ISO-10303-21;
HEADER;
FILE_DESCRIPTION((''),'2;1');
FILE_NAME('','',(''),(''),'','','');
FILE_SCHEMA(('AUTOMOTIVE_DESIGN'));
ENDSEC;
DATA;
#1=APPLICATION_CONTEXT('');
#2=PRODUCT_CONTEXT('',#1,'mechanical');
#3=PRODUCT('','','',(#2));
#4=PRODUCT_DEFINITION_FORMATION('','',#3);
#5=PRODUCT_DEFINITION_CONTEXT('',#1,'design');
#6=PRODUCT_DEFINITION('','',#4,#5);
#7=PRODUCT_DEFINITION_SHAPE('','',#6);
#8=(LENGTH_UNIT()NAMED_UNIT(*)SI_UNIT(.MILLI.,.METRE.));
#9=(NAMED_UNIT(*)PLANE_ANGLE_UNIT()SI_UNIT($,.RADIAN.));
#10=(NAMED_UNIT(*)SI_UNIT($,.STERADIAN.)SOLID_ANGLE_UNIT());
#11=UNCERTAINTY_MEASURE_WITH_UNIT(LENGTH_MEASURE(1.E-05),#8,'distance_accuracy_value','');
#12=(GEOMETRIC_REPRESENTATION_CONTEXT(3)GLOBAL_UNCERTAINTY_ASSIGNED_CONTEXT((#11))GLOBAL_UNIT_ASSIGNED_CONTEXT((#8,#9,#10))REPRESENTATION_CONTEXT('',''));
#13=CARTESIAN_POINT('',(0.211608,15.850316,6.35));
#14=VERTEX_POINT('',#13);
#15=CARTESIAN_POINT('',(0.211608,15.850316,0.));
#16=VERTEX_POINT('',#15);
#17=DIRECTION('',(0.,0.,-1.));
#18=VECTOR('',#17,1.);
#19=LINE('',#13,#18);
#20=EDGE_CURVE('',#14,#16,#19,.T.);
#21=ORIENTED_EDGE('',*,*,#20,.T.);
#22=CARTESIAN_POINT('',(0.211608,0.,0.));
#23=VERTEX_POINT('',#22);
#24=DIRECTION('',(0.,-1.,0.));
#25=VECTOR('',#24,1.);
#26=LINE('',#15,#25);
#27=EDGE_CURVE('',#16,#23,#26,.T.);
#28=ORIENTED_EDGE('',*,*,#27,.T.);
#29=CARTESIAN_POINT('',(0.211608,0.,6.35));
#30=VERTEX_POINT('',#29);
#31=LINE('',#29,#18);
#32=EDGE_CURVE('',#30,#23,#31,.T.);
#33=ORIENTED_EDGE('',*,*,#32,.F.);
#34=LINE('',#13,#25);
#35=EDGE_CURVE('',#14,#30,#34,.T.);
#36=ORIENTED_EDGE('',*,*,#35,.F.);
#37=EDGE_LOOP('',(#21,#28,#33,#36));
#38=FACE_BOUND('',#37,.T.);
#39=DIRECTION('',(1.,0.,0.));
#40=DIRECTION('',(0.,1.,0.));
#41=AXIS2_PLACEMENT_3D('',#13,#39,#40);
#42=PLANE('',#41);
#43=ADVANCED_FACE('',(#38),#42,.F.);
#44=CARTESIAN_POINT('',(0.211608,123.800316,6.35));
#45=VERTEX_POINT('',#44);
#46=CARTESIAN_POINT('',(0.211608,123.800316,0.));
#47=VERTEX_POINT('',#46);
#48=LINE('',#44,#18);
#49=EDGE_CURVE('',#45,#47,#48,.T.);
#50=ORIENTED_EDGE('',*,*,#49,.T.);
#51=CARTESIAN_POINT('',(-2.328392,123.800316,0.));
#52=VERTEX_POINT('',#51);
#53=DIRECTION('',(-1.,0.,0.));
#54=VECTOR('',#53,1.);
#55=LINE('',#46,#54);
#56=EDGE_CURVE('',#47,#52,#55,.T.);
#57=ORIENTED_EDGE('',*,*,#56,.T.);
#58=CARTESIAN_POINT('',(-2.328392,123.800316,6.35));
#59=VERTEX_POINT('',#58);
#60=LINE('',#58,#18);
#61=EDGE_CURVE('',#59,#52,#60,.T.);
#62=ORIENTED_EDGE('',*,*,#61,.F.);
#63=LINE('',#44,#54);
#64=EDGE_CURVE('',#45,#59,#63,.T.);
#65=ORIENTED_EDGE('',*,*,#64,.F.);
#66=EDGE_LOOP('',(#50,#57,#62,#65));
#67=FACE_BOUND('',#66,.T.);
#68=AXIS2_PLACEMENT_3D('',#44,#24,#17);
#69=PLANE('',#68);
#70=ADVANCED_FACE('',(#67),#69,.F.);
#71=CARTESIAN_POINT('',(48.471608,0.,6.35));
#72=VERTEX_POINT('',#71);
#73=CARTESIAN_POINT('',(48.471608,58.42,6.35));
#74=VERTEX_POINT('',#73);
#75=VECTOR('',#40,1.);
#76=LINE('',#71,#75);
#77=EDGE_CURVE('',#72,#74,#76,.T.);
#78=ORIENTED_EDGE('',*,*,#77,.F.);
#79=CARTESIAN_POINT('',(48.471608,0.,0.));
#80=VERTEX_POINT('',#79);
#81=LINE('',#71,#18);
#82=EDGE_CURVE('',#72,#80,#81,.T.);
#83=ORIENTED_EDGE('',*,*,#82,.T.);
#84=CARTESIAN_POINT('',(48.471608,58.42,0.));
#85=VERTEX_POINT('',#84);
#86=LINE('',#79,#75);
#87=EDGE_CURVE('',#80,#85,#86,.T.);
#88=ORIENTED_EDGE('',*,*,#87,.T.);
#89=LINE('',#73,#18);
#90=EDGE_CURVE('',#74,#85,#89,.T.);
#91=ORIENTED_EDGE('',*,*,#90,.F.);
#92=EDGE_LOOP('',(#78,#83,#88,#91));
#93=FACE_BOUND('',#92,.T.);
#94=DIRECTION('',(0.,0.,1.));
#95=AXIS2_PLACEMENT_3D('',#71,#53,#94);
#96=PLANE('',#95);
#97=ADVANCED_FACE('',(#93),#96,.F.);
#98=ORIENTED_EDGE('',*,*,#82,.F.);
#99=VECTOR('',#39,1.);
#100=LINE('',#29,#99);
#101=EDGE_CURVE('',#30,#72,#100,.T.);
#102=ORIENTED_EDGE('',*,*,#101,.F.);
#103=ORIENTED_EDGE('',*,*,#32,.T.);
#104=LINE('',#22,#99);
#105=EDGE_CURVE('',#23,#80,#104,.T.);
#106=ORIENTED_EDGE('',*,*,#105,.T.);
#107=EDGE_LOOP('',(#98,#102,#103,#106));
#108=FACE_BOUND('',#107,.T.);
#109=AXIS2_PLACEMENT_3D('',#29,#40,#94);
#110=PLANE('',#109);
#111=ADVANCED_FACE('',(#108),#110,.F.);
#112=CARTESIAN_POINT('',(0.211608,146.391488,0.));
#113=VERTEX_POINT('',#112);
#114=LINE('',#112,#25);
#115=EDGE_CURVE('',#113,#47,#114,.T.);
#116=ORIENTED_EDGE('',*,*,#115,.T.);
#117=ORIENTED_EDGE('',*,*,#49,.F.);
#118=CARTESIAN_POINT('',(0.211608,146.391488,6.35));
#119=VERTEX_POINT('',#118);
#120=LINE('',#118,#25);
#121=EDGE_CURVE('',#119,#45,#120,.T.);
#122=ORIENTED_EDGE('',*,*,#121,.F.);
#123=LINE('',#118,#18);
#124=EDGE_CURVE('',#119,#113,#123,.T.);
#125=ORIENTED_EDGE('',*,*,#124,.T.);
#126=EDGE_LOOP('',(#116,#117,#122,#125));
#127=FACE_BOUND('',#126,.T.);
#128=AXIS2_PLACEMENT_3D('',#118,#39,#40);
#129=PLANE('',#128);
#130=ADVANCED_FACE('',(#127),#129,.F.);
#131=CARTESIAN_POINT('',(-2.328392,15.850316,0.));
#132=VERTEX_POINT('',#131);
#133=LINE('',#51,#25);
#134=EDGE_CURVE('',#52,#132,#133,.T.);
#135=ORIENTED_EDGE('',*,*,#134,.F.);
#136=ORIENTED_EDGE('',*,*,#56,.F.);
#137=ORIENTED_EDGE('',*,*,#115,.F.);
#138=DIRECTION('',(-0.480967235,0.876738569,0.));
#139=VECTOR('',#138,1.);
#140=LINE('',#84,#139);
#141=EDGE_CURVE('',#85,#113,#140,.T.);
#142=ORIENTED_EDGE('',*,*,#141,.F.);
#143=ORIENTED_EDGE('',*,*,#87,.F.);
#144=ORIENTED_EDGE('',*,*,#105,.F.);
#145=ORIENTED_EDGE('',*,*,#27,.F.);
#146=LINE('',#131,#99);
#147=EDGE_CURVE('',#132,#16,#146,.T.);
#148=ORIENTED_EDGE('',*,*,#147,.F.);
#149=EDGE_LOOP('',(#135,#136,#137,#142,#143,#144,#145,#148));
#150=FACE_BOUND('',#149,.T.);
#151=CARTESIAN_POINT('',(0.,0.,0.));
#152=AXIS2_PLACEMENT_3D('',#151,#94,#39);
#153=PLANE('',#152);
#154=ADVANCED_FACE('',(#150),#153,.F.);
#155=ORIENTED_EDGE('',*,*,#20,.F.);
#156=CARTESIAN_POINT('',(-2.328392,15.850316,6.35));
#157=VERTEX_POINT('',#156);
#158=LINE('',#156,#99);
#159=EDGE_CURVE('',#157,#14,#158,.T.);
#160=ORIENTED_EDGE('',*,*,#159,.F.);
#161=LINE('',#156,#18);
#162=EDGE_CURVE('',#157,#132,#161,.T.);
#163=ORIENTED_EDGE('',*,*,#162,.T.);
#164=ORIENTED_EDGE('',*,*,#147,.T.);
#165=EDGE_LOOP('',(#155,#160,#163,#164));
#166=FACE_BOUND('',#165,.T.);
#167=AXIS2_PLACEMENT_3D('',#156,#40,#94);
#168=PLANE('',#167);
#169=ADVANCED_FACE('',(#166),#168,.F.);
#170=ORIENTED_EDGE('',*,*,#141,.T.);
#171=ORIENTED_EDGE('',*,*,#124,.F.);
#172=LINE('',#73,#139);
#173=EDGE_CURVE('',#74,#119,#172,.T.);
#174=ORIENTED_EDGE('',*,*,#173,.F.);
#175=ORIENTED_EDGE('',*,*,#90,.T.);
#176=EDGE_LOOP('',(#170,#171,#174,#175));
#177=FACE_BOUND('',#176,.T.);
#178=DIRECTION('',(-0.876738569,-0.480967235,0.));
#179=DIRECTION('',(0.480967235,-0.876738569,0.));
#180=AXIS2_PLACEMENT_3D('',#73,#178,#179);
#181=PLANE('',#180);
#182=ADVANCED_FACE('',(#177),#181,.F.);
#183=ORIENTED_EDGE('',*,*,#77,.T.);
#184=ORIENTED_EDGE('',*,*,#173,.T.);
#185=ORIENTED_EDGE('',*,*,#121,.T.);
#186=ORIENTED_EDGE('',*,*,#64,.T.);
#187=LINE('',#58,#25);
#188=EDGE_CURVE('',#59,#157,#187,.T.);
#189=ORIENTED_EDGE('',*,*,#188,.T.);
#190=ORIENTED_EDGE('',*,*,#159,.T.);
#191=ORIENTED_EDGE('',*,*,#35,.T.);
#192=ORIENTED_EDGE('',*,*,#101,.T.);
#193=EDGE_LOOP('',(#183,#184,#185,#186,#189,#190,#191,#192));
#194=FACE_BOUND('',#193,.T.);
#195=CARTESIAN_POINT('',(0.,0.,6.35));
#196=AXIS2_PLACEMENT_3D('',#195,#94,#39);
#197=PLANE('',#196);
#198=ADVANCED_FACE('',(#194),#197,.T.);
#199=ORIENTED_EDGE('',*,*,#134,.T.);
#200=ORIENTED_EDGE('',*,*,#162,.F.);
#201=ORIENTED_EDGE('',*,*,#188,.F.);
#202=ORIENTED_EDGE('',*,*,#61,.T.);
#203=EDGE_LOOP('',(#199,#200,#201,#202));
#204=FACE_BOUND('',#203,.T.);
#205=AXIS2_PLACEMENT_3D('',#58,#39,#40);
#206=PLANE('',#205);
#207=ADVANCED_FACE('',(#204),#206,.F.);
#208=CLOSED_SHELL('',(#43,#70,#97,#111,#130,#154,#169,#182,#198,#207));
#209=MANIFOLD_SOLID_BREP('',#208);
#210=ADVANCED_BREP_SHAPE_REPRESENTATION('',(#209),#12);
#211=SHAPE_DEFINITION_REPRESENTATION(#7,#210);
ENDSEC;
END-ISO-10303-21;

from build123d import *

# Parameters (mm, degrees)
BOSS_EXTRUDE1_DEPTH = 6.35


with BuildPart() as part:
    # Sketch1 → Boss-Extrude1 (new body)
    with BuildSketch(Plane.XY):
        Polygon((-2.328391652, 15.850315583), (0.211608348, 15.850315583), (0.211608348, 0), (48.471608348, 0), (48.471608348, 58.42), (0.211608348, 146.39148807), (0.211608348, 123.800315583), (-2.328391652, 123.800315583), align=None)
    extrude(amount=BOSS_EXTRUDE1_DEPTH)


solid = part.part
